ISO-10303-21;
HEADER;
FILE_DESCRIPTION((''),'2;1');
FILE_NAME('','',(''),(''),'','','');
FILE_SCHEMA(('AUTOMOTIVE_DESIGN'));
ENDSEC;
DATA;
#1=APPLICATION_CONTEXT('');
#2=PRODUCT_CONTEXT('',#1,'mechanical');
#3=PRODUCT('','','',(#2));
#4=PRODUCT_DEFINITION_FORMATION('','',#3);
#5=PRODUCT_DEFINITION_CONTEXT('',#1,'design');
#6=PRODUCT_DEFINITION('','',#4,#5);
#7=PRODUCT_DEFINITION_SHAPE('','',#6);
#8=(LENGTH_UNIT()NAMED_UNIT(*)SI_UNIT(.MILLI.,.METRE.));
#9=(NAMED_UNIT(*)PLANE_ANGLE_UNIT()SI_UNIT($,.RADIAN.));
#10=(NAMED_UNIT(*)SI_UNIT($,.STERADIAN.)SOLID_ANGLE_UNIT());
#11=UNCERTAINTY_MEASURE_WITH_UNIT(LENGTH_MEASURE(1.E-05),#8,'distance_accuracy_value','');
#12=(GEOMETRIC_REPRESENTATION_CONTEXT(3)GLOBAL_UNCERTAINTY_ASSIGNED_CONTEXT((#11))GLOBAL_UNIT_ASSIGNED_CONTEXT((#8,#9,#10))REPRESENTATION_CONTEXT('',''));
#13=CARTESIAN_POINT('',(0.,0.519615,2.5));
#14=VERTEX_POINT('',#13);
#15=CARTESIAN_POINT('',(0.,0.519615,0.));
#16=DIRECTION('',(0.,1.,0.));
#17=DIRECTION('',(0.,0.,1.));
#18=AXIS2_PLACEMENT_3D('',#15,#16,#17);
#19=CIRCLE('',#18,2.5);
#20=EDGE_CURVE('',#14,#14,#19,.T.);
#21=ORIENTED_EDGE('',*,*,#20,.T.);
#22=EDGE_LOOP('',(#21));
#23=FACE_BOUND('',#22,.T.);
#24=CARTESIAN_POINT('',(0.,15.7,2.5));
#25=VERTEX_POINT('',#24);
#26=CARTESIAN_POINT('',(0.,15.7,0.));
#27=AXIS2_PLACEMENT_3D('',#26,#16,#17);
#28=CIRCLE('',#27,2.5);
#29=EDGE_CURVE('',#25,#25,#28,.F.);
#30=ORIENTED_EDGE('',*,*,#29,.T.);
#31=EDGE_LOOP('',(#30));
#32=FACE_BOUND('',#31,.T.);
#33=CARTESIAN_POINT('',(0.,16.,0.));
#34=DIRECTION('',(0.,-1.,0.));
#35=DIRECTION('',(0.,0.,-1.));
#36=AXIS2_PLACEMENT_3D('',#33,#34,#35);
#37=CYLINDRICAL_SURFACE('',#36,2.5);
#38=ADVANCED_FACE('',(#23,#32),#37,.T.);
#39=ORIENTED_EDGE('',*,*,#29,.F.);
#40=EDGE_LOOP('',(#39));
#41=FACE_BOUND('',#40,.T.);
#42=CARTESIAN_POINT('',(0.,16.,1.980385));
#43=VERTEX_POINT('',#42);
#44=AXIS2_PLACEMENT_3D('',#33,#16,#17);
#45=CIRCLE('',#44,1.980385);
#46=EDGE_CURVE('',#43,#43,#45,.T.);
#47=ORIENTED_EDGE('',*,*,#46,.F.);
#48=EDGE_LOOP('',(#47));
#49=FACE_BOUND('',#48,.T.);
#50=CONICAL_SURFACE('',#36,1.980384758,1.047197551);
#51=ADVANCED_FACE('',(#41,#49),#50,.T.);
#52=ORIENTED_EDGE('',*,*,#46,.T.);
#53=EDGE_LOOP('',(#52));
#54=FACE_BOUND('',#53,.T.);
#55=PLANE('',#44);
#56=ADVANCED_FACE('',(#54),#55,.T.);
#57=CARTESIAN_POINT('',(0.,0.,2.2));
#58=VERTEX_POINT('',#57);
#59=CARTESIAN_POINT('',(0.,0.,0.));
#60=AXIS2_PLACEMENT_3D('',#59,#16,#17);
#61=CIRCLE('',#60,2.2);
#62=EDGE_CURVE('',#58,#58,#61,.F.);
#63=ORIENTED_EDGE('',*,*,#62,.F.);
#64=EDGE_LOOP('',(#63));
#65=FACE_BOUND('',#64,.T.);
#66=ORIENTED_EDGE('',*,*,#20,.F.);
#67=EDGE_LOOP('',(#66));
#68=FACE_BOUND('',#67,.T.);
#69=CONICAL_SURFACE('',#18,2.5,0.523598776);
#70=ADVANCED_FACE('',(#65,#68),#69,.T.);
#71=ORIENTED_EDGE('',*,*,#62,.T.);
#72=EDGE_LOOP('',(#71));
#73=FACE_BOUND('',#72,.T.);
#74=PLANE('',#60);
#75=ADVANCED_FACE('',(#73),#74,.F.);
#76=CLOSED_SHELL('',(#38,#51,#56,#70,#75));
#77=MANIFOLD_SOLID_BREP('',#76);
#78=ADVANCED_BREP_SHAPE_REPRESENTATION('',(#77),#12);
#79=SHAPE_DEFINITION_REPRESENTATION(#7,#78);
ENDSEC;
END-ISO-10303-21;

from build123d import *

# Parameters (mm, degrees)
SKETCH1_R             = 2.5
BOSS_EXTRUDE1_DEPTH   = 16
CHAMFER1_SIZE         = 0.3
CHAMFER1_SIZE2        = 0.519615242
CHAMFER1_PART_2_SIZE  = 0.3
CHAMFER1_PART_2_SIZE2 = 0.519615242


with BuildPart() as part:
    # Sketch1 → Boss-Extrude1 (new body)
    with BuildSketch(Plane(origin=(0, 0, 0), x_dir=(1, 0, 0), z_dir=(0, 1, 0))):
        Circle(SKETCH1_R)
    extrude(amount=BOSS_EXTRUDE1_DEPTH)

    # Chamfer1
    chamfer1_edges = [part.edges().sort_by_distance(p)[0] for p in [
        (-2.5, 0, 0),
    ]]
    chamfer1_side = [part.faces().sort_by_distance(p)[0] for p in [
        (0, 0, 0),
    ]]
    chamfer(chamfer1_edges, length=CHAMFER1_SIZE, length2=CHAMFER1_SIZE2, reference=chamfer1_side[0])

    # Chamfer1 part 2
    chamfer1_part_2_edges = [part.edges().sort_by_distance(p)[0] for p in [
        (-2.5, 16, 0),
    ]]
    chamfer1_part_2_side = [part.faces().sort_by_distance(p)[0] for p in [
        (-2.5, 8, 0),
    ]]
    chamfer(chamfer1_part_2_edges, length=CHAMFER1_PART_2_SIZE, length2=CHAMFER1_PART_2_SIZE2, reference=chamfer1_part_2_side[0])


solid = part.part
